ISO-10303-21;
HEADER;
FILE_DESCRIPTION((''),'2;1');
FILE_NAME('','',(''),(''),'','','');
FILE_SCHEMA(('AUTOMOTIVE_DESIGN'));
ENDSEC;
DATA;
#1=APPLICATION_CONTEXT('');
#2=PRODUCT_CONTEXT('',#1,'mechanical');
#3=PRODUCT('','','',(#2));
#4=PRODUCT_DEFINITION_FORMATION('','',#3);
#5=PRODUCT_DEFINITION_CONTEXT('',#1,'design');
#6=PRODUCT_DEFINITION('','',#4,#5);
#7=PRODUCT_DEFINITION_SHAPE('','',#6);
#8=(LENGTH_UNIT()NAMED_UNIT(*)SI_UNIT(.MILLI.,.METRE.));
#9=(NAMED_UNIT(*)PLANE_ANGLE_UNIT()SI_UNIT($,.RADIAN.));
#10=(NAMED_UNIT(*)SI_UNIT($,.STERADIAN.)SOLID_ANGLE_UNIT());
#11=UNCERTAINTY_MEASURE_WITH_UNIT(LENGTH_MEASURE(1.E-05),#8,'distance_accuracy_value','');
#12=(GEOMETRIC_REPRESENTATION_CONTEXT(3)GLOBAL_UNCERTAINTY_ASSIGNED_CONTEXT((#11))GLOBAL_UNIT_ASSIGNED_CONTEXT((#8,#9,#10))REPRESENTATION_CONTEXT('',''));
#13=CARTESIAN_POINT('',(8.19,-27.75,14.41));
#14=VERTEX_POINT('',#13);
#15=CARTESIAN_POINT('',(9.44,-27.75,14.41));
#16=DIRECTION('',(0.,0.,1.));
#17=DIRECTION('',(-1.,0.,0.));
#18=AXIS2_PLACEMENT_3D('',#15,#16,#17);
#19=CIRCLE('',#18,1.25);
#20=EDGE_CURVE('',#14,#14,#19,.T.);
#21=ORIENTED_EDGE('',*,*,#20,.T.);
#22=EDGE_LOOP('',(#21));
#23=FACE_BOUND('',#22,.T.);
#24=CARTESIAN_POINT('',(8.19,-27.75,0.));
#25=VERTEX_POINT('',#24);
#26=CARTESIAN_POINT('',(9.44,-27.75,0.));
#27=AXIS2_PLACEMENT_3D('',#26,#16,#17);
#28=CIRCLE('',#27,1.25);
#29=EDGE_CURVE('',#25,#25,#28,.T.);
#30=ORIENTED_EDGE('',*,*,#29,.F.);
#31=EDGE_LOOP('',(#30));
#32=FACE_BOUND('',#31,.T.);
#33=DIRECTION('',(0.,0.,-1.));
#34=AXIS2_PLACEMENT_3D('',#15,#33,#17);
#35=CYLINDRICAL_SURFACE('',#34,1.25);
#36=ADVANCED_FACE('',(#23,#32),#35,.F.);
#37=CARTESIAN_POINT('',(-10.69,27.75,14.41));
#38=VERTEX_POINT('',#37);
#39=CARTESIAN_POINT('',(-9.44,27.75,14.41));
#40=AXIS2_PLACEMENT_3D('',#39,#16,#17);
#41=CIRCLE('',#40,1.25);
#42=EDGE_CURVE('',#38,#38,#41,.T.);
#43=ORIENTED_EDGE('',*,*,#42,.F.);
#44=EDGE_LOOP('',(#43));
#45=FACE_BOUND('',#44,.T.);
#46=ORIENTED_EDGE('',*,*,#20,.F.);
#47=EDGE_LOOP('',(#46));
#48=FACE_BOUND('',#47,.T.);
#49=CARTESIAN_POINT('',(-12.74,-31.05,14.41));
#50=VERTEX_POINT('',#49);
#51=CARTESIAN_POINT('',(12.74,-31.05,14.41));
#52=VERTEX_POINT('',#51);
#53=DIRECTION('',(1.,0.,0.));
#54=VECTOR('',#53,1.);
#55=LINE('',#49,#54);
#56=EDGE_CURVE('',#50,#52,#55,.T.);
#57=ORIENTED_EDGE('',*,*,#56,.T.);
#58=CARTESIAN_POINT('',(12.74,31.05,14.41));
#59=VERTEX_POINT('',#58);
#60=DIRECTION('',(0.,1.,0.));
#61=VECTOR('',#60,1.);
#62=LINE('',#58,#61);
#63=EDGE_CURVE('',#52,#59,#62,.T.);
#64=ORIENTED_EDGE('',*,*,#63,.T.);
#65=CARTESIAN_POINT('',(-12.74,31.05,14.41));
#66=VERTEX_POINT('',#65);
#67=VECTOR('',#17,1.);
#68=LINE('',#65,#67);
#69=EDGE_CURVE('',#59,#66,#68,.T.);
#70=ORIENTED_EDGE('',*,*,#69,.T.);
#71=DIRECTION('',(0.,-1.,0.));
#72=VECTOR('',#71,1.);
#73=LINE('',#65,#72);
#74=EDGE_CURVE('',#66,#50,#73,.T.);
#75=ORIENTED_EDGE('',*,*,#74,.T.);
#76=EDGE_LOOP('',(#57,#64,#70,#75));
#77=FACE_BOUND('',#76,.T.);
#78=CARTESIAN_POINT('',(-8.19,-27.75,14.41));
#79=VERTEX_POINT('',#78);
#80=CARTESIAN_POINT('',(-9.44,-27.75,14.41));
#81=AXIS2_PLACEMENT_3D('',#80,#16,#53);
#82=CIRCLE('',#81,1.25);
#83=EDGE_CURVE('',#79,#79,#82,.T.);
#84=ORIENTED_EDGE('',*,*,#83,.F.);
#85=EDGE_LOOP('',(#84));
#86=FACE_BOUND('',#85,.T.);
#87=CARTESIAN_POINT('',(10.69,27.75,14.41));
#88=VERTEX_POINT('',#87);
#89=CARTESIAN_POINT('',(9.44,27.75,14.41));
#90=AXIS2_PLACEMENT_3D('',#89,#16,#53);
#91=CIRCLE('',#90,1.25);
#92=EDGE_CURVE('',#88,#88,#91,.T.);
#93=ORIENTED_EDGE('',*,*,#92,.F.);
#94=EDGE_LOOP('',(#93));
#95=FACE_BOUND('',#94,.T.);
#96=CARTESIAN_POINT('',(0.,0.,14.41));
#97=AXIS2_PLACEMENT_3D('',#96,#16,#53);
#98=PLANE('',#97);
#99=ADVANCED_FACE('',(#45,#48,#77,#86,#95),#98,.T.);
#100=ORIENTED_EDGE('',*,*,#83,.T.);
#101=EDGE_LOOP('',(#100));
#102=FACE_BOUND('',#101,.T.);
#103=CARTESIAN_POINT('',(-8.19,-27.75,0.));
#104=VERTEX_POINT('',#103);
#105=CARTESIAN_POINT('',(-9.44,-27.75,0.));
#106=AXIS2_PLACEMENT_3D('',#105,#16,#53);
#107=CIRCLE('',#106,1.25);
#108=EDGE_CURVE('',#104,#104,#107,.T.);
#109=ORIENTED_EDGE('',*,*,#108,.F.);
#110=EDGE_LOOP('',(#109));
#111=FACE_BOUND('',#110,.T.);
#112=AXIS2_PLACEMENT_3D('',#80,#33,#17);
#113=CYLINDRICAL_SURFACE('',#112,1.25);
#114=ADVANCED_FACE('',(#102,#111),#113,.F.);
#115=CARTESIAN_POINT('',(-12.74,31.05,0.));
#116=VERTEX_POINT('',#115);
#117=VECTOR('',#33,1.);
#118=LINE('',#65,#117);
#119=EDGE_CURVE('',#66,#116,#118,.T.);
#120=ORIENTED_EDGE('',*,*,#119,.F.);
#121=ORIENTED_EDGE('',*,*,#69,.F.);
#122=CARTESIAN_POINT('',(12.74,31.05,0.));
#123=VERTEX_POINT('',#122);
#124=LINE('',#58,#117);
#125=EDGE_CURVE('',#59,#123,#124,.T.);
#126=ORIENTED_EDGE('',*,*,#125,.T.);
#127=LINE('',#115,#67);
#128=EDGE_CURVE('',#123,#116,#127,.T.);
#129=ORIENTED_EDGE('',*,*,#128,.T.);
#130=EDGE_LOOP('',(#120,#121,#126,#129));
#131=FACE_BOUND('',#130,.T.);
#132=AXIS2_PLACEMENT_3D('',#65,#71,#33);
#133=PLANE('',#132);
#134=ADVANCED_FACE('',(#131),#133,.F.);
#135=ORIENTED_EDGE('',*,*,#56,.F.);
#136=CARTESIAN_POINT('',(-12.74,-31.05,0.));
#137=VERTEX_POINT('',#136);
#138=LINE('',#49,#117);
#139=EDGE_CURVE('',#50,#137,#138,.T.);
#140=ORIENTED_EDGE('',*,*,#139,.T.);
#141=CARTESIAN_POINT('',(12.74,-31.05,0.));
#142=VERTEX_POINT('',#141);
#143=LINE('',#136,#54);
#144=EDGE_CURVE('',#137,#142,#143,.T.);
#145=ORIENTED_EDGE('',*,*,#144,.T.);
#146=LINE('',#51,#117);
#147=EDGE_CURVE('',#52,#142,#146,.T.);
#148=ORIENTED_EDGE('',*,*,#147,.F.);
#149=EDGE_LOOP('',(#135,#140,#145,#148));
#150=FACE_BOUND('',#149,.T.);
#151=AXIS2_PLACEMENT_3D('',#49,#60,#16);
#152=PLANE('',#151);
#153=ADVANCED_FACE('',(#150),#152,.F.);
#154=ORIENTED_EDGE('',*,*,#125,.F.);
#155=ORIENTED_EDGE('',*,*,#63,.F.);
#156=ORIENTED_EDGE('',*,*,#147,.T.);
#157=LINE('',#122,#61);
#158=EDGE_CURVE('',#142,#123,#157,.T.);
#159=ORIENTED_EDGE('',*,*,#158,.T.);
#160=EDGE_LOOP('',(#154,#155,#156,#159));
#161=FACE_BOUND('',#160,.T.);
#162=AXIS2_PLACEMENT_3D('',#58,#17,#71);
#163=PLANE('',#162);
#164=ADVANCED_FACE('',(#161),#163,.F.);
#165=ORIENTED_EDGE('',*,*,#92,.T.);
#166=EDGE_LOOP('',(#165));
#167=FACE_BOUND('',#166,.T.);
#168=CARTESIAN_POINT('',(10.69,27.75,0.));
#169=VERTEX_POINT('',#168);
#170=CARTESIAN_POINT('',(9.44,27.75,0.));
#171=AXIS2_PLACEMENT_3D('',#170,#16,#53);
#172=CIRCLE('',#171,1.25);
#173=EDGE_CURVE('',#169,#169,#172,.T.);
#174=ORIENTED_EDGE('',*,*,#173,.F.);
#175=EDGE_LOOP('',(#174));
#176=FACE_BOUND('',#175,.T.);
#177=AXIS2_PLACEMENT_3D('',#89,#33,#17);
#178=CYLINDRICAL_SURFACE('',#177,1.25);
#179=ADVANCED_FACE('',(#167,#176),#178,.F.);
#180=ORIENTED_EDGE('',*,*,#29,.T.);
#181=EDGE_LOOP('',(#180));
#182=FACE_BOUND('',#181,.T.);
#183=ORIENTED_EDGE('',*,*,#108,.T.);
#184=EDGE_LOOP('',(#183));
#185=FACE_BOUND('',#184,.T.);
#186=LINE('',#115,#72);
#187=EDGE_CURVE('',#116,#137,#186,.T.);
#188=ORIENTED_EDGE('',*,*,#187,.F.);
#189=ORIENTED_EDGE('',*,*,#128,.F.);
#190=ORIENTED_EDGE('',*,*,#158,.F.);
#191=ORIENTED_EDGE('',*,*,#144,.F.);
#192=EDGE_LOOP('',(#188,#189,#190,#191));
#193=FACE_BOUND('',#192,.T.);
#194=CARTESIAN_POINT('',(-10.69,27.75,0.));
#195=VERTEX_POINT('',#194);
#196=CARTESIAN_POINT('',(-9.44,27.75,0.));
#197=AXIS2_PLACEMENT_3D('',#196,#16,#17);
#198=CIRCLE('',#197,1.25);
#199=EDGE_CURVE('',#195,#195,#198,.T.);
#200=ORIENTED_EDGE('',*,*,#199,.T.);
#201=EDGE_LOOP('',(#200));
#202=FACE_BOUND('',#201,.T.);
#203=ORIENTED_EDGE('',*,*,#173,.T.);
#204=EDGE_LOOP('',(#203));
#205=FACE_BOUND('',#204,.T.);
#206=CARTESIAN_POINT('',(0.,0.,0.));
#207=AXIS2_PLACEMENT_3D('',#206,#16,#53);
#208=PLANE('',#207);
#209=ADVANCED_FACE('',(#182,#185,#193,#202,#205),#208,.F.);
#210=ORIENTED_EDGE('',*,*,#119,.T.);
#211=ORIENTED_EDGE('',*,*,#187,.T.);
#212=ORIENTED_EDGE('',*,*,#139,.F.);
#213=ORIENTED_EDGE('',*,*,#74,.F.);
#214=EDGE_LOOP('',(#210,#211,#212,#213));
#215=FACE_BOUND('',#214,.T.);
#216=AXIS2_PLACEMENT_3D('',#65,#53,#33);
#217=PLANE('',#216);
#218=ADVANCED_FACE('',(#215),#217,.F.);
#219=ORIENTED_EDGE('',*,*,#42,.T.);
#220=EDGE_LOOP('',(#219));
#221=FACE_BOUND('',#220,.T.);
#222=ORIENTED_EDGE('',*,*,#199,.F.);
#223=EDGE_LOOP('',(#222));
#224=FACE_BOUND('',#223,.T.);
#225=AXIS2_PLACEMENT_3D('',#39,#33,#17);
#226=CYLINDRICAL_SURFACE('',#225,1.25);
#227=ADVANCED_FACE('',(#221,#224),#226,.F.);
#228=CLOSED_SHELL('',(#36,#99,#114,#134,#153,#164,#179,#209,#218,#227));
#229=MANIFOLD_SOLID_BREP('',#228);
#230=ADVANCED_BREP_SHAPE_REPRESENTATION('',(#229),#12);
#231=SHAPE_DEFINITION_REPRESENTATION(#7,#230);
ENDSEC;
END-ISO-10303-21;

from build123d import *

# Parameters (mm, degrees)
SKETCH_1_W      = 25.48
SKETCH_1_H      = 62.1
SKETCH_1_R      = 1.25
EXTRUDE_1_DEPTH = 14.41


with BuildPart() as part:
    # 草圖1 → 填料-伸長1 (new body)
    with BuildSketch(Plane.XY):
        Rectangle(SKETCH_1_W, SKETCH_1_H)
        with Locations((9.44, 27.75)):
            Circle(SKETCH_1_R, mode=Mode.SUBTRACT)
        with Locations(Location((-9.44, 27.75, 0), (0, 0, 180))):
            Circle(SKETCH_1_R, mode=Mode.SUBTRACT)
        with Locations(Location((9.44, -27.75, 0), (0, 0, 180))):
            Circle(SKETCH_1_R, mode=Mode.SUBTRACT)
        with Locations((-9.44, -27.75)):
            Circle(SKETCH_1_R, mode=Mode.SUBTRACT)
    extrude(amount=EXTRUDE_1_DEPTH)


solid = part.part
